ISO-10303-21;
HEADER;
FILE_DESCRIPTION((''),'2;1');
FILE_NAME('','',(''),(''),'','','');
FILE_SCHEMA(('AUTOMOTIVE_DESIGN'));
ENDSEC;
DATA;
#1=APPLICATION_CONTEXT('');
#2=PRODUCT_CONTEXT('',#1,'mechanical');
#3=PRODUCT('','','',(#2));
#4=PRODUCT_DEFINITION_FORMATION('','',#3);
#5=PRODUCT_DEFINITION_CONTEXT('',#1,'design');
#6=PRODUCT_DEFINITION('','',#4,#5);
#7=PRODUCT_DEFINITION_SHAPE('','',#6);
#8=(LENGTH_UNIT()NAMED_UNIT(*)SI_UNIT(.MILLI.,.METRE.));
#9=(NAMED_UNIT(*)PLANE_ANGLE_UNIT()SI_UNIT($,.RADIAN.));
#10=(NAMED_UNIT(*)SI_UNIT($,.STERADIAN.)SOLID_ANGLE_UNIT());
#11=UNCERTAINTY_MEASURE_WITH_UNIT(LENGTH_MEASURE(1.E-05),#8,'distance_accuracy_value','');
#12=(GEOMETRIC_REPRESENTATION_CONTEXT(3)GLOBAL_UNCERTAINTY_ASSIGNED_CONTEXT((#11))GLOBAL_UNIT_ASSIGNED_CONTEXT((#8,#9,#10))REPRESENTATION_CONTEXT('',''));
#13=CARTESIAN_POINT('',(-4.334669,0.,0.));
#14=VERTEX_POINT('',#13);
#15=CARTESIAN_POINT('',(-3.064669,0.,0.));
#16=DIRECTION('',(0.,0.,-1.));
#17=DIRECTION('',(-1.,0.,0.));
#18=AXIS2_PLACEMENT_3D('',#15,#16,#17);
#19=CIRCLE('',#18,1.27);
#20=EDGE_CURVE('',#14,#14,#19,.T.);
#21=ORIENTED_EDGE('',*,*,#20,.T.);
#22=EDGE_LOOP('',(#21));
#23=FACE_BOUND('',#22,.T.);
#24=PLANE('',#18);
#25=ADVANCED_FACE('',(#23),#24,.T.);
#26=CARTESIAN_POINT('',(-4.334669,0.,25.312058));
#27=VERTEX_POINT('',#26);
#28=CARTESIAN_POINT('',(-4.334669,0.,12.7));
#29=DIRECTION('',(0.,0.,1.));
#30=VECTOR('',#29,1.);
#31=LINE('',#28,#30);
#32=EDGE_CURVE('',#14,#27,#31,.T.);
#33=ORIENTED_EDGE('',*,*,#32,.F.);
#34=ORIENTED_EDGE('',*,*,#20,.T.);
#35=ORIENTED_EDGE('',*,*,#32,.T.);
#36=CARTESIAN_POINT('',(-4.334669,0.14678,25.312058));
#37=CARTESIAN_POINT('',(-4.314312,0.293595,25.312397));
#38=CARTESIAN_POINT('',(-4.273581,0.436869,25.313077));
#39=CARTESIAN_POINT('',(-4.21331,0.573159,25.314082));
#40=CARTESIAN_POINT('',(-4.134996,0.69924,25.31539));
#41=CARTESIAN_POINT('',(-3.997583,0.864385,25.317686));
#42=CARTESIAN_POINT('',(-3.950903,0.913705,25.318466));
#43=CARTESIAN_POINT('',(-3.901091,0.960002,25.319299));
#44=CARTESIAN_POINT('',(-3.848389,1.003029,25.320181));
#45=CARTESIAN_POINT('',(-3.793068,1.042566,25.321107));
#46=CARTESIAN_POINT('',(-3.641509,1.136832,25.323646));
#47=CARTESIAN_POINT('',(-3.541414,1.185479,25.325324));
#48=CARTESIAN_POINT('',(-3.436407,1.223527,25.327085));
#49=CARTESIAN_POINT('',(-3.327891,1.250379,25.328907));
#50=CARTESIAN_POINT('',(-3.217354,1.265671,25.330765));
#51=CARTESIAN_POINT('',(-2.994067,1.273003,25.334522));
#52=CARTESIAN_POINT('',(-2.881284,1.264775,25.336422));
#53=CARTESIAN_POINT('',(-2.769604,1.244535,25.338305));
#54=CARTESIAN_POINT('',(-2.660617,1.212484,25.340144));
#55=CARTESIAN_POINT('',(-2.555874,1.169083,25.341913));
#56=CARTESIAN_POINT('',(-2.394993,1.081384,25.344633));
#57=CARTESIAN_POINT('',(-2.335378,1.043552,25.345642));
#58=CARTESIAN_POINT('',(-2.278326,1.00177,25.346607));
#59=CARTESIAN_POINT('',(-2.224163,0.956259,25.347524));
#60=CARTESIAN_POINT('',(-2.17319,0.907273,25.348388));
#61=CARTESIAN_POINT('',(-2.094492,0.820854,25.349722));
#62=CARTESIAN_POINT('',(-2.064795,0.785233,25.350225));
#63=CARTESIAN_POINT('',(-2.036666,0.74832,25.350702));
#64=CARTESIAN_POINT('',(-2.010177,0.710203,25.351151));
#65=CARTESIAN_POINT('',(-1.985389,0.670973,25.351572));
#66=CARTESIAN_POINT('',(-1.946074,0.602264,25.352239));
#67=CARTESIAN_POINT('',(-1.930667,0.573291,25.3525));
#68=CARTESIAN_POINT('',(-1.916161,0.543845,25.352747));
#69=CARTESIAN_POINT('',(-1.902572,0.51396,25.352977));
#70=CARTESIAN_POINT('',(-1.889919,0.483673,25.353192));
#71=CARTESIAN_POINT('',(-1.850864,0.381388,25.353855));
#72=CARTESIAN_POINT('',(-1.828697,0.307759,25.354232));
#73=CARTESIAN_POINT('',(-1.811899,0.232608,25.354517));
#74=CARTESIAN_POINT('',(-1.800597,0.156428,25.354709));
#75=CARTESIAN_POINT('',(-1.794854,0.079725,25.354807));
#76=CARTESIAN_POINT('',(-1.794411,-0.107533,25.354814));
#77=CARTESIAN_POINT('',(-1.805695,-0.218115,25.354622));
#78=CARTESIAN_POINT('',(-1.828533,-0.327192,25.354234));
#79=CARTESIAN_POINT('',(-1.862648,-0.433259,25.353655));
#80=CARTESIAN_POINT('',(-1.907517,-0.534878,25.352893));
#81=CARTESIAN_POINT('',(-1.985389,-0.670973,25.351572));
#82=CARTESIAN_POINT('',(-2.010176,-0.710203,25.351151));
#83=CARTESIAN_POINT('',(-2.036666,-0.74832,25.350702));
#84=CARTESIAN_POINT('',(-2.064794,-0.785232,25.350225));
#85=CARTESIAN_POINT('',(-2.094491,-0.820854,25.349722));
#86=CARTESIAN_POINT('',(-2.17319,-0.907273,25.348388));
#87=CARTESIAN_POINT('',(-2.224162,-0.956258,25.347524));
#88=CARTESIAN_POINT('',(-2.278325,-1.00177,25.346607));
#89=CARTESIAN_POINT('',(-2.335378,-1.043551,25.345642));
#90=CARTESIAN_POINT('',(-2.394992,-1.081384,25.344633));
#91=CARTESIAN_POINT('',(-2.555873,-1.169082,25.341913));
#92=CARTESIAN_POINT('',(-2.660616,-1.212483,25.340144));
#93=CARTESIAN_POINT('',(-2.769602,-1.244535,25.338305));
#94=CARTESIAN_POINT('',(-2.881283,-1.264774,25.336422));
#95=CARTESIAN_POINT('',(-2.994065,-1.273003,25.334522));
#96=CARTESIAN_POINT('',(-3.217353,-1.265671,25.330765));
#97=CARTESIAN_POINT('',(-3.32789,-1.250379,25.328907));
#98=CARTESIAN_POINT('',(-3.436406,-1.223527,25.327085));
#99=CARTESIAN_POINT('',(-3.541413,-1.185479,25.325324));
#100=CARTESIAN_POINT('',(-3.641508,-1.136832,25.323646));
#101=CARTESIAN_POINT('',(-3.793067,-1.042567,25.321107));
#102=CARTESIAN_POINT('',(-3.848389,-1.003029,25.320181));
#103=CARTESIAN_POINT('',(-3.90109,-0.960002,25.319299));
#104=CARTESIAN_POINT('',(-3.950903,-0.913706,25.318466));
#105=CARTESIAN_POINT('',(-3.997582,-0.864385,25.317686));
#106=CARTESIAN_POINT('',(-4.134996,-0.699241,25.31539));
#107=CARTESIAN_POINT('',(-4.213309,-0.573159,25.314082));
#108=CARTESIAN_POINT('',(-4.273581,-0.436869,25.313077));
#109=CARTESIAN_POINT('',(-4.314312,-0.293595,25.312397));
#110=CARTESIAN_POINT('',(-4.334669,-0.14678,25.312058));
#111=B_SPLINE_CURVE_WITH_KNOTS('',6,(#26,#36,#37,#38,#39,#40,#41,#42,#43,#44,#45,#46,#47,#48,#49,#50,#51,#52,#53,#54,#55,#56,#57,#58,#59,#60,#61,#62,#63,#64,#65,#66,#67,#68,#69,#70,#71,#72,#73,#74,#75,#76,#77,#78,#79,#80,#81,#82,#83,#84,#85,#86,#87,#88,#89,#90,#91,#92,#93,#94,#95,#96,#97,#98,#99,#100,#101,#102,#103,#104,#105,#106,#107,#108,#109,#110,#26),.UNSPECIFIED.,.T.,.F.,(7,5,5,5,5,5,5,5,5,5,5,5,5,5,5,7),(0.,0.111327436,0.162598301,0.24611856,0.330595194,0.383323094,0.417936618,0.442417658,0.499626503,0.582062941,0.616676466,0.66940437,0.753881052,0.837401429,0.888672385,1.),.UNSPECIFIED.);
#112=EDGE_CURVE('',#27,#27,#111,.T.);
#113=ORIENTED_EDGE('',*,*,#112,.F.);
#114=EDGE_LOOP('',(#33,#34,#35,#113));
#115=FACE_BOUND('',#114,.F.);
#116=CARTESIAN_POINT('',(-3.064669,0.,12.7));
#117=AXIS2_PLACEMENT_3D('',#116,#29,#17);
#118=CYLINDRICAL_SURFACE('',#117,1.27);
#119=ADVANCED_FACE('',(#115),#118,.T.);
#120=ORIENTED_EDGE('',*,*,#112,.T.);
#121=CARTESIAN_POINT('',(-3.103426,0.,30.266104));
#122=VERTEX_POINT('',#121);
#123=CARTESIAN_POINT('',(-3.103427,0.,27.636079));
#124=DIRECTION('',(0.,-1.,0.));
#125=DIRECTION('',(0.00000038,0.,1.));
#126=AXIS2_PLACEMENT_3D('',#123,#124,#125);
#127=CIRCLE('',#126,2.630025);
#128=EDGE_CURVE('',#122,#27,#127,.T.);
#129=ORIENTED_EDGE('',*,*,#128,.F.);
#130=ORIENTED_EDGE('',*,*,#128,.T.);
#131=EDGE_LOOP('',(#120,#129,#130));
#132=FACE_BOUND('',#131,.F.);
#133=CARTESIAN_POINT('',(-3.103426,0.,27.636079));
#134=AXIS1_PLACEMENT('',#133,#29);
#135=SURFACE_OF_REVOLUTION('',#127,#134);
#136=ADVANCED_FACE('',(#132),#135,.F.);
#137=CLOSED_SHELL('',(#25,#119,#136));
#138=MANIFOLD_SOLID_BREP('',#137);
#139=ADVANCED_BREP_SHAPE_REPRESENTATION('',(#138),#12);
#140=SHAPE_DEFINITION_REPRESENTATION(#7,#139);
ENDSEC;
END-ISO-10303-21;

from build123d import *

# Parameters (mm, degrees)
F0_W = 1.27
F0_H = 25.4


with BuildPart() as f1:
    # F0 (on Front) → F1 (revolve)
    with BuildSketch(Plane.XZ):
        with Locations((-3.699669, 12.7)):
            Rectangle(F0_W, F0_H)
    revolve(axis=Axis((-3.064669, 0, 12.7), (0, 0, -1)))

    # F2 (on Front) → F3 (revolve)
    with BuildSketch(Plane.XZ):
        with BuildLine():
            Line((-3.103426, 25.006054), (-3.103426, 30.266104))
            ThreePointArc((-3.103426, 30.266104), (-5.733452, 27.636079), (-3.103426, 25.006054))
        make_face()
    revolve(axis=Axis((-3.103426, 0, 27.636079), (0, 0, 1)))


solid = f1.part
